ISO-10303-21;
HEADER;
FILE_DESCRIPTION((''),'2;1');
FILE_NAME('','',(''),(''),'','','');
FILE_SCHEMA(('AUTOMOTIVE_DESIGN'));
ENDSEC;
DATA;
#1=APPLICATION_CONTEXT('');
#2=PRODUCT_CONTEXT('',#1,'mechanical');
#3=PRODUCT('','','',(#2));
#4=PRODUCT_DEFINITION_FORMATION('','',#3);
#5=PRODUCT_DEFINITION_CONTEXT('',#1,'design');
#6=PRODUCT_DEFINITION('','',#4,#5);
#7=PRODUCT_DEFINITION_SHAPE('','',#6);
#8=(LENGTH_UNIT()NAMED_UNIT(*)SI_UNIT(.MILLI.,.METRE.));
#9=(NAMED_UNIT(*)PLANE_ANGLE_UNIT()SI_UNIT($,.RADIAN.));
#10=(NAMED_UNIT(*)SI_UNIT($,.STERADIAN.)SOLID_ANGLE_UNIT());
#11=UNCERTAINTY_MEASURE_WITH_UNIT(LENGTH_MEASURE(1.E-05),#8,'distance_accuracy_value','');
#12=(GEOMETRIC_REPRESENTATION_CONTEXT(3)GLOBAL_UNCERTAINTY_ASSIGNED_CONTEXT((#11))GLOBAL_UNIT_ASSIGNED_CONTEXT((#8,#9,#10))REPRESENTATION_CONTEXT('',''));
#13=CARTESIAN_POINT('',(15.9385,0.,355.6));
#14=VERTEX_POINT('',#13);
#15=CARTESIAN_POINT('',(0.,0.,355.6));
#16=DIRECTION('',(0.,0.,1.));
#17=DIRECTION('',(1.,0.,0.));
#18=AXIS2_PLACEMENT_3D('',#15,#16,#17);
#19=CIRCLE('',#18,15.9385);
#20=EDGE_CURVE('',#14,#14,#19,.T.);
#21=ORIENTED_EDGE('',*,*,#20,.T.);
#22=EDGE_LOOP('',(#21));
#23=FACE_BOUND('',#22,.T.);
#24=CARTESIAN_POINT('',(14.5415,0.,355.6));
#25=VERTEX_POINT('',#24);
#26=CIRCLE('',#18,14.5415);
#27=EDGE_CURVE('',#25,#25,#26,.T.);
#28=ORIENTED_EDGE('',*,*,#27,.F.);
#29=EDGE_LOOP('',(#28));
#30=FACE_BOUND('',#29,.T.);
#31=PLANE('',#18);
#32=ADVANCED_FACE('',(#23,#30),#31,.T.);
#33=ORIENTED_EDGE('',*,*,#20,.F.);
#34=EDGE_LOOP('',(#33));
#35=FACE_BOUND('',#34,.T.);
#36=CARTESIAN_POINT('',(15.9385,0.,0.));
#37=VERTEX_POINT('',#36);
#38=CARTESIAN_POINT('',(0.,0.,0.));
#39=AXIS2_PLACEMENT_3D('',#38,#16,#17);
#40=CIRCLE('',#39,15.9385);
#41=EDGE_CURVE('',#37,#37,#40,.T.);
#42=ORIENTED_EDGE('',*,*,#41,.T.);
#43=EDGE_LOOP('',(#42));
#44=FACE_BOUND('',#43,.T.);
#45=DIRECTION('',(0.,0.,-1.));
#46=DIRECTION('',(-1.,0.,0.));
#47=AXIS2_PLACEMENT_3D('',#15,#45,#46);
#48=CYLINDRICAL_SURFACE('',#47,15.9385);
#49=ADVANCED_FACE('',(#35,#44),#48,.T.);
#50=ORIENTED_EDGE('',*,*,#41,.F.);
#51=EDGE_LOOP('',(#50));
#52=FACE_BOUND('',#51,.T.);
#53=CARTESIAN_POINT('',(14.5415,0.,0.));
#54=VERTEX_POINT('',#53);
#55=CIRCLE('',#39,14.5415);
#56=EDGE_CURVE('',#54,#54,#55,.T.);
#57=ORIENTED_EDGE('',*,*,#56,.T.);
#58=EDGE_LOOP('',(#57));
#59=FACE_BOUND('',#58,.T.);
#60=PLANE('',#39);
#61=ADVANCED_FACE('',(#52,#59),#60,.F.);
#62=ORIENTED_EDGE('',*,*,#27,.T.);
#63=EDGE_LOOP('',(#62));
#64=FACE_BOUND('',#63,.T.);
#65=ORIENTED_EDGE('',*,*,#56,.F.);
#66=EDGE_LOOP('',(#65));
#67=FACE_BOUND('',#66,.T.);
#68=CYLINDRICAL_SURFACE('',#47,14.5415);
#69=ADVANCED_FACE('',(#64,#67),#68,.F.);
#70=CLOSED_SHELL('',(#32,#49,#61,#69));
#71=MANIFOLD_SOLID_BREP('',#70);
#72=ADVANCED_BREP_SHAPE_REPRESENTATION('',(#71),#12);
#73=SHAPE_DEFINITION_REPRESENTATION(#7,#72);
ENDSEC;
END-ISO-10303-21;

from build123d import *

# Parameters (mm, degrees)
SKETCH1_R           = 15.9385
SKETCH1_R_2         = 14.5415
BOSS_EXTRUDE1_DEPTH = 355.6


with BuildPart() as part:
    # Sketch1 → Boss-Extrude1 (new body)
    with BuildSketch(Plane.XY):
        Circle(SKETCH1_R)
        Circle(SKETCH1_R_2, mode=Mode.SUBTRACT)
    extrude(amount=BOSS_EXTRUDE1_DEPTH)


solid = part.part
